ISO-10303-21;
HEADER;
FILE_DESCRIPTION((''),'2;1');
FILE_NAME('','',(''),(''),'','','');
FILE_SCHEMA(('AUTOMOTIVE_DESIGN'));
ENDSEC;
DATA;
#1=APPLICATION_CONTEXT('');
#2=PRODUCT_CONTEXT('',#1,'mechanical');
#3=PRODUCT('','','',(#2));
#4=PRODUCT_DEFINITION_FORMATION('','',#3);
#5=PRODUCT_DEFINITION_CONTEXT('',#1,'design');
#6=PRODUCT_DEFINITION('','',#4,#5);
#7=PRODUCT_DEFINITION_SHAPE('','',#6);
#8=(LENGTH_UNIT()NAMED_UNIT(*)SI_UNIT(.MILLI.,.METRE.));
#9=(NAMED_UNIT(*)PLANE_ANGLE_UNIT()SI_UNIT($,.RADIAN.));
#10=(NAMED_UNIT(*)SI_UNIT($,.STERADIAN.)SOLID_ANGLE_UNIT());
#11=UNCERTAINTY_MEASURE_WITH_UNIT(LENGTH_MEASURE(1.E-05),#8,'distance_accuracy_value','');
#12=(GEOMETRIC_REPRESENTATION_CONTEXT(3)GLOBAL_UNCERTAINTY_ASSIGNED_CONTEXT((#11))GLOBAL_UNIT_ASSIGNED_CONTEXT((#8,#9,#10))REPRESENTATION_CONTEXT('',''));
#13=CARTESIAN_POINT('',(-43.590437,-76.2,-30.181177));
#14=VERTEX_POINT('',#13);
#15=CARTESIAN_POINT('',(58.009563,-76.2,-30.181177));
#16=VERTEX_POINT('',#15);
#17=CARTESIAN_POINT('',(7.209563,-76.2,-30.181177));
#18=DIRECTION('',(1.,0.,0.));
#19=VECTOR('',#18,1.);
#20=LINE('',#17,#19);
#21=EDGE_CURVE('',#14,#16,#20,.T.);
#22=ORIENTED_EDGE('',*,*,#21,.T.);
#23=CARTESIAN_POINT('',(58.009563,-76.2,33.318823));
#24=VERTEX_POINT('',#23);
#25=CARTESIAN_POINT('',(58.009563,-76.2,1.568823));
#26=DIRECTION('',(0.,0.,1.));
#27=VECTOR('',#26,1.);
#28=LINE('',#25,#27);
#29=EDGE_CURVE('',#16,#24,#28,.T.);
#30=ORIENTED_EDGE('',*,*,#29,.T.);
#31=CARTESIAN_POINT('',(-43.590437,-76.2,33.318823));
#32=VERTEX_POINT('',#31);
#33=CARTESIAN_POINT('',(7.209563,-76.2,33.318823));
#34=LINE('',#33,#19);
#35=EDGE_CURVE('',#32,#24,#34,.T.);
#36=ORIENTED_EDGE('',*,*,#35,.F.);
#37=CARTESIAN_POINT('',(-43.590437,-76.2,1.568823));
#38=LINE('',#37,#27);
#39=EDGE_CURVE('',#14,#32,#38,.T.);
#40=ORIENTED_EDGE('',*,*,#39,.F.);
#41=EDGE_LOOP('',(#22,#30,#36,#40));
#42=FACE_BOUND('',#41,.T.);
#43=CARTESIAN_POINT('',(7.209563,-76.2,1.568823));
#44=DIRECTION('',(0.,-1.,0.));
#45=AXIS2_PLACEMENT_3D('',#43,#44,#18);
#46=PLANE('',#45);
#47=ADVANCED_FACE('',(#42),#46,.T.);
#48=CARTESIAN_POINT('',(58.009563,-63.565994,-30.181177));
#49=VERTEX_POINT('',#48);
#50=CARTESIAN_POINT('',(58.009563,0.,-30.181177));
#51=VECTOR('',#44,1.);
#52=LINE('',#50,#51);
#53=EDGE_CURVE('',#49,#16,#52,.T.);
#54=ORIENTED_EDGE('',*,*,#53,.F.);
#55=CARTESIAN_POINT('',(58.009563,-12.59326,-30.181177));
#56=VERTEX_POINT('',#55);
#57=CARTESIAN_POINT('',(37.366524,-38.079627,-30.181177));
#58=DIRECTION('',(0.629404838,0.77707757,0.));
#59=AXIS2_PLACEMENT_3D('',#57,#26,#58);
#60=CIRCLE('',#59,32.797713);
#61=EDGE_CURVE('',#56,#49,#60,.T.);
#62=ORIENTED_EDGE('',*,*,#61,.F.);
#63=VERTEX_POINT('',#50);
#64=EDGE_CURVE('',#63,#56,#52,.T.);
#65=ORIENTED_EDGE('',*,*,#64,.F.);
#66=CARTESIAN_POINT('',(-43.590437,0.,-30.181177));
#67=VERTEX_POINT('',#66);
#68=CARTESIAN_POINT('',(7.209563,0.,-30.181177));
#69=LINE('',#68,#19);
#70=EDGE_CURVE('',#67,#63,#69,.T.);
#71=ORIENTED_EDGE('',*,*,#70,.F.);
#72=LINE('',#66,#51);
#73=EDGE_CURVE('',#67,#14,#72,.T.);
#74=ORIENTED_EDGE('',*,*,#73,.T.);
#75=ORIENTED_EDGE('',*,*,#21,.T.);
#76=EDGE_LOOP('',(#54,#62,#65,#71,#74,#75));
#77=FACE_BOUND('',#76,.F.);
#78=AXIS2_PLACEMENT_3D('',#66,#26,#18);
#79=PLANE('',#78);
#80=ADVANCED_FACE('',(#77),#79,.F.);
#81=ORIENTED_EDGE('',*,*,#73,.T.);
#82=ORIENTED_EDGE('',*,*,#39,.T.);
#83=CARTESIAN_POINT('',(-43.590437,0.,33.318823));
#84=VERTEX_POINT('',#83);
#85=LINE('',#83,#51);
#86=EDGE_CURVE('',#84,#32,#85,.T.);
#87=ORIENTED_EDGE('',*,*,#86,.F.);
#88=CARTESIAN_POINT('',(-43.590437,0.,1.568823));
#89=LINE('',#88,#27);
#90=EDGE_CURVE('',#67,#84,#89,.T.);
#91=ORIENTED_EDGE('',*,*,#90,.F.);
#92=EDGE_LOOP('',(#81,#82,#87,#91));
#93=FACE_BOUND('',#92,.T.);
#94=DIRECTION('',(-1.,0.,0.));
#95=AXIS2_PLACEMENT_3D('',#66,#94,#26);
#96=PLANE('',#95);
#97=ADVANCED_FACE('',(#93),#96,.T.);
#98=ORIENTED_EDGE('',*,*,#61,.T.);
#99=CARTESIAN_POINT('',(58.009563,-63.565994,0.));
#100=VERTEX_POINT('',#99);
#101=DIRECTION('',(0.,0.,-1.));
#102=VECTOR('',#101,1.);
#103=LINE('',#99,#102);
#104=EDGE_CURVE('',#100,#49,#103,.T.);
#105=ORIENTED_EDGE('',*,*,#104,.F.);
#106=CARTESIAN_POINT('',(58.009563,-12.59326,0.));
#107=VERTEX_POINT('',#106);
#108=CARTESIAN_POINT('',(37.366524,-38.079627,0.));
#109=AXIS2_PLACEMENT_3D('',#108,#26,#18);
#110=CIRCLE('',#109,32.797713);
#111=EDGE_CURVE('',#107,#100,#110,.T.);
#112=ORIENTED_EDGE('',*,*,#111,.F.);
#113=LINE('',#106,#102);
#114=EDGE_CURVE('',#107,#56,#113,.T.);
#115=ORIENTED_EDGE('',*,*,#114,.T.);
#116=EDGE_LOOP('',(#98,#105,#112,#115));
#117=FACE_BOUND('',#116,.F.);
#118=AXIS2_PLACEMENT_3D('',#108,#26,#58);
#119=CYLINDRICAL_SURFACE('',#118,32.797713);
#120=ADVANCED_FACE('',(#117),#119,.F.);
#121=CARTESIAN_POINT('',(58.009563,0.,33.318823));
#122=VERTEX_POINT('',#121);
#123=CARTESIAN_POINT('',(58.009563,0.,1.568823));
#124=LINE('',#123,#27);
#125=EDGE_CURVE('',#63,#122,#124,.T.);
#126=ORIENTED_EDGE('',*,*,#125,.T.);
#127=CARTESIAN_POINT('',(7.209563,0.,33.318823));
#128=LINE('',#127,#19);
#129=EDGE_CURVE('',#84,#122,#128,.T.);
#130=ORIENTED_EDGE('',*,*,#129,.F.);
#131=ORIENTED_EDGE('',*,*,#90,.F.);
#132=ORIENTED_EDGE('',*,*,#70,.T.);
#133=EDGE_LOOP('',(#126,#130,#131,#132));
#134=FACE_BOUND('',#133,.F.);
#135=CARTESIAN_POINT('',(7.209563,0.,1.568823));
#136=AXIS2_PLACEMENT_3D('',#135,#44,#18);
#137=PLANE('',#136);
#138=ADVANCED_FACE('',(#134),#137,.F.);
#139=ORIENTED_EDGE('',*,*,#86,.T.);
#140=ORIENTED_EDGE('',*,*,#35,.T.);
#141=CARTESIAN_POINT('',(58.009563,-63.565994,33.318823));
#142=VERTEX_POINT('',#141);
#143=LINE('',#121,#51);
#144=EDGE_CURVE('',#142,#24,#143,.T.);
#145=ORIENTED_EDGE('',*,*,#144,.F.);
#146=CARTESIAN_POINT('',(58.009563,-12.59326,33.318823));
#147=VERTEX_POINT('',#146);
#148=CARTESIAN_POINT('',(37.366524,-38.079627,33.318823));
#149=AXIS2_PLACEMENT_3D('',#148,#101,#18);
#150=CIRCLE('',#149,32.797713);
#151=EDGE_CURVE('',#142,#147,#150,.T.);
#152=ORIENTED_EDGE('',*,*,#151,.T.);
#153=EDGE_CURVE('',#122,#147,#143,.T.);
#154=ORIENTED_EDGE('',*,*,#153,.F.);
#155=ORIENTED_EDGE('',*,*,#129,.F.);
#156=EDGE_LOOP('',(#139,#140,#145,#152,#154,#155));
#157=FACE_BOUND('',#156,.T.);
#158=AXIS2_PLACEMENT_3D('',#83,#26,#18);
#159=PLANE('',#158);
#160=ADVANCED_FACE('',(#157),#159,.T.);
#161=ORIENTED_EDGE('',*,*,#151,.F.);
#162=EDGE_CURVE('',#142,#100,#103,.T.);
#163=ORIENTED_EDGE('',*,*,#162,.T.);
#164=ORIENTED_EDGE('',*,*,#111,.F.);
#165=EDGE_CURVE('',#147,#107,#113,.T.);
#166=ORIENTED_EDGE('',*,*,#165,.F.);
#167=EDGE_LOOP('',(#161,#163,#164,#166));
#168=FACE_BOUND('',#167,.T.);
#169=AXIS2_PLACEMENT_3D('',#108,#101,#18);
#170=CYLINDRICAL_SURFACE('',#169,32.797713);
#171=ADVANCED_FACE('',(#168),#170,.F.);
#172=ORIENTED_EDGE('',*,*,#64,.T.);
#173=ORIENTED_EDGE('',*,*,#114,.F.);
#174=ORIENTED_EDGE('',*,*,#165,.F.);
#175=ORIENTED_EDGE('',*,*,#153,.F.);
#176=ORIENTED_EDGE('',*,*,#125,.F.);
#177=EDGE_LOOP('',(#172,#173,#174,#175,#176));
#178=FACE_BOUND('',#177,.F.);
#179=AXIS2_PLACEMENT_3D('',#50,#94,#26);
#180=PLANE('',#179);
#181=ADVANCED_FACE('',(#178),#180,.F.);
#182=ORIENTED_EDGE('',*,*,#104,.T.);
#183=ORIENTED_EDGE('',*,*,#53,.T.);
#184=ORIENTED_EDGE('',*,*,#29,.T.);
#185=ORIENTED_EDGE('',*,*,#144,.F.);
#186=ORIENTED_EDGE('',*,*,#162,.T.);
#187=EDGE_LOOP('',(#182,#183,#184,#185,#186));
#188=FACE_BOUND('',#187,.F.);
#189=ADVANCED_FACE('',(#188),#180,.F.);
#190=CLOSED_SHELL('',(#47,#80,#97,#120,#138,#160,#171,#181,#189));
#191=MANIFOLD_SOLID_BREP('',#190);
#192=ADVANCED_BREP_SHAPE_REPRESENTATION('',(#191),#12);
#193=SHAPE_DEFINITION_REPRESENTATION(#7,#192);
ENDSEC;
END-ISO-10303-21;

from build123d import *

# Parameters (mm, degrees)
F0_W     = 101.6
F0_H     = 63.5
F1_DEPTH = 76.2
F2_R     = 32.797713
F3_DEPTH = 127
F4_DEPTH = 127


with BuildPart() as f1:
    # F0 (on Front) → F1 (new body)
    with BuildSketch(Plane.XZ):
        with Locations((7.209563, 1.568823)):
            Rectangle(F0_W, F0_H)
    extrude(amount=F1_DEPTH)

    # F2 (on Top) → F3 (cut)
    with BuildSketch(Plane.XY):
        with Locations((37.366524, -38.079627)):
            Circle(F2_R)
    extrude(amount=F3_DEPTH, mode=Mode.SUBTRACT)

    # F3_face (on face) → F4 (cut)
    with BuildSketch(Plane(origin=(33.622944, -38.079627, 0), x_dir=(1, 0, 0), z_dir=(0, 0, 1))):
        with BuildLine():
            Line((24.386619, -25.486367), (24.386619, 25.486367))
            ThreePointArc((24.386619, 25.486367), (-29.054133, 0), (24.386619, -25.486367))
        make_face()
    extrude(amount=-F4_DEPTH, mode=Mode.SUBTRACT)


solid = f1.part
